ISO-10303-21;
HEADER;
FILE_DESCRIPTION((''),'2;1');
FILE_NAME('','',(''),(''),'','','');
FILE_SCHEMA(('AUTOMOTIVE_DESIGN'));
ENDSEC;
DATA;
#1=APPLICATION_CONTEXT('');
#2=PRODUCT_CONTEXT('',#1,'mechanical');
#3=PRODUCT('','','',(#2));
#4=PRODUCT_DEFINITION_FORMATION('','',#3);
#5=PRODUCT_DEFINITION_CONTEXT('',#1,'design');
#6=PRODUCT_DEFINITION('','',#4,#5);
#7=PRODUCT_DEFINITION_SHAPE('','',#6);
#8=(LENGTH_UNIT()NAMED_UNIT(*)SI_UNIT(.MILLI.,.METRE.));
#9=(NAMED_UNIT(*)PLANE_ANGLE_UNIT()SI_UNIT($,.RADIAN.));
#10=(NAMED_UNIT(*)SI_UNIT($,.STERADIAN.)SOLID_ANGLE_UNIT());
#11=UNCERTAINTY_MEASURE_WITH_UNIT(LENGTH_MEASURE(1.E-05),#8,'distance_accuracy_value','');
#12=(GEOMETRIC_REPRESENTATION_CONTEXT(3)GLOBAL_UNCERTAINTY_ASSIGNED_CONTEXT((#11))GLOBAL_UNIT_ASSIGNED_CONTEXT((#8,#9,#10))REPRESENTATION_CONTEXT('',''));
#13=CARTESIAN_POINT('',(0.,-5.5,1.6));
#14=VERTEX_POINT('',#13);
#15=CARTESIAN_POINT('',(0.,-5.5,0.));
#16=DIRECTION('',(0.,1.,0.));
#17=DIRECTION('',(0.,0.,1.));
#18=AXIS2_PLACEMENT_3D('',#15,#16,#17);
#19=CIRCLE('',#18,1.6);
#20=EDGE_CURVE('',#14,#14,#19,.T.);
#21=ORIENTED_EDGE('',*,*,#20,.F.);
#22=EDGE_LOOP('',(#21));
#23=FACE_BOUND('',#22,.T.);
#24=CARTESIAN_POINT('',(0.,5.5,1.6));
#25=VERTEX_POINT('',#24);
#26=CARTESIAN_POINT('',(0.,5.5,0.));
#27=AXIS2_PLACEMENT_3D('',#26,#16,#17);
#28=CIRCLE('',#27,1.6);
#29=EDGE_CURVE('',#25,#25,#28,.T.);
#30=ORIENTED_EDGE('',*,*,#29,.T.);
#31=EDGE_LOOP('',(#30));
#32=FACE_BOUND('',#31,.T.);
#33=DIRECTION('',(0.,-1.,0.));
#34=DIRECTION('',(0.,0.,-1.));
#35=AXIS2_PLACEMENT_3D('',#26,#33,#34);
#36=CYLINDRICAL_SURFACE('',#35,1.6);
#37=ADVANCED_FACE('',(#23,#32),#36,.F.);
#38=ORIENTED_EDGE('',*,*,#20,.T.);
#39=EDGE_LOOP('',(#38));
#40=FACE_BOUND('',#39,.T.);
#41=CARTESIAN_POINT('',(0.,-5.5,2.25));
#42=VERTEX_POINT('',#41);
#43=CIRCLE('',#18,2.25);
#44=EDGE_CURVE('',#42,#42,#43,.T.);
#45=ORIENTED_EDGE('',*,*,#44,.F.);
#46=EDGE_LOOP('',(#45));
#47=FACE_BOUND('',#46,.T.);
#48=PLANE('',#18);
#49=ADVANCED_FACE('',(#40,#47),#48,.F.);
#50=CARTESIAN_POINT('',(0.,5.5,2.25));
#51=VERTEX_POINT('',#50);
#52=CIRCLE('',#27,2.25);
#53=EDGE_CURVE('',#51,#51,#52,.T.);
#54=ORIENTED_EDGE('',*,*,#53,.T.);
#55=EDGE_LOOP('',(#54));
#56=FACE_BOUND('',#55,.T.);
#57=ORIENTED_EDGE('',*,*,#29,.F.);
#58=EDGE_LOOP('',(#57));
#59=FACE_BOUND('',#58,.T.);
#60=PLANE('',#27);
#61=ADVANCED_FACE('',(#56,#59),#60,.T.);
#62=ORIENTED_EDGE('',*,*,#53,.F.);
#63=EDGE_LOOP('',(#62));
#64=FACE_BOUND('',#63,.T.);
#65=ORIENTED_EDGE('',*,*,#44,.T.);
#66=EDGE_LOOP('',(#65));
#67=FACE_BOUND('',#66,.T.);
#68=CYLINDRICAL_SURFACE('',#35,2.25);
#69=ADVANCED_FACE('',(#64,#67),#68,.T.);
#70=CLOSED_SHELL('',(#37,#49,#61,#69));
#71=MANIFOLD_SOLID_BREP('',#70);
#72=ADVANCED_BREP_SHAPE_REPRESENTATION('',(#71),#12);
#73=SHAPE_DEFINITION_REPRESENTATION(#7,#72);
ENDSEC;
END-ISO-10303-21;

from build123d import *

# Parameters (mm, degrees)
SKETCH1_R           = 2.25
SKETCH1_R_2         = 1.6
BOSS_EXTRUDE1_DEPTH = 5.5


with BuildPart() as part:
    # Sketch1 → Boss-Extrude1 (new, symmetric)
    with BuildSketch(Plane(origin=(0, 0, 0), x_dir=(1, 0, 0), z_dir=(0, 1, 0))):
        with Locations(Location((0, 0, 0), (0, 0, 270))):
            Circle(SKETCH1_R)
        with Locations(Location((0, 0, 0), (0, 0, 270))):
            Circle(SKETCH1_R_2, mode=Mode.SUBTRACT)
    extrude(amount=BOSS_EXTRUDE1_DEPTH, both=True)


solid = part.part
